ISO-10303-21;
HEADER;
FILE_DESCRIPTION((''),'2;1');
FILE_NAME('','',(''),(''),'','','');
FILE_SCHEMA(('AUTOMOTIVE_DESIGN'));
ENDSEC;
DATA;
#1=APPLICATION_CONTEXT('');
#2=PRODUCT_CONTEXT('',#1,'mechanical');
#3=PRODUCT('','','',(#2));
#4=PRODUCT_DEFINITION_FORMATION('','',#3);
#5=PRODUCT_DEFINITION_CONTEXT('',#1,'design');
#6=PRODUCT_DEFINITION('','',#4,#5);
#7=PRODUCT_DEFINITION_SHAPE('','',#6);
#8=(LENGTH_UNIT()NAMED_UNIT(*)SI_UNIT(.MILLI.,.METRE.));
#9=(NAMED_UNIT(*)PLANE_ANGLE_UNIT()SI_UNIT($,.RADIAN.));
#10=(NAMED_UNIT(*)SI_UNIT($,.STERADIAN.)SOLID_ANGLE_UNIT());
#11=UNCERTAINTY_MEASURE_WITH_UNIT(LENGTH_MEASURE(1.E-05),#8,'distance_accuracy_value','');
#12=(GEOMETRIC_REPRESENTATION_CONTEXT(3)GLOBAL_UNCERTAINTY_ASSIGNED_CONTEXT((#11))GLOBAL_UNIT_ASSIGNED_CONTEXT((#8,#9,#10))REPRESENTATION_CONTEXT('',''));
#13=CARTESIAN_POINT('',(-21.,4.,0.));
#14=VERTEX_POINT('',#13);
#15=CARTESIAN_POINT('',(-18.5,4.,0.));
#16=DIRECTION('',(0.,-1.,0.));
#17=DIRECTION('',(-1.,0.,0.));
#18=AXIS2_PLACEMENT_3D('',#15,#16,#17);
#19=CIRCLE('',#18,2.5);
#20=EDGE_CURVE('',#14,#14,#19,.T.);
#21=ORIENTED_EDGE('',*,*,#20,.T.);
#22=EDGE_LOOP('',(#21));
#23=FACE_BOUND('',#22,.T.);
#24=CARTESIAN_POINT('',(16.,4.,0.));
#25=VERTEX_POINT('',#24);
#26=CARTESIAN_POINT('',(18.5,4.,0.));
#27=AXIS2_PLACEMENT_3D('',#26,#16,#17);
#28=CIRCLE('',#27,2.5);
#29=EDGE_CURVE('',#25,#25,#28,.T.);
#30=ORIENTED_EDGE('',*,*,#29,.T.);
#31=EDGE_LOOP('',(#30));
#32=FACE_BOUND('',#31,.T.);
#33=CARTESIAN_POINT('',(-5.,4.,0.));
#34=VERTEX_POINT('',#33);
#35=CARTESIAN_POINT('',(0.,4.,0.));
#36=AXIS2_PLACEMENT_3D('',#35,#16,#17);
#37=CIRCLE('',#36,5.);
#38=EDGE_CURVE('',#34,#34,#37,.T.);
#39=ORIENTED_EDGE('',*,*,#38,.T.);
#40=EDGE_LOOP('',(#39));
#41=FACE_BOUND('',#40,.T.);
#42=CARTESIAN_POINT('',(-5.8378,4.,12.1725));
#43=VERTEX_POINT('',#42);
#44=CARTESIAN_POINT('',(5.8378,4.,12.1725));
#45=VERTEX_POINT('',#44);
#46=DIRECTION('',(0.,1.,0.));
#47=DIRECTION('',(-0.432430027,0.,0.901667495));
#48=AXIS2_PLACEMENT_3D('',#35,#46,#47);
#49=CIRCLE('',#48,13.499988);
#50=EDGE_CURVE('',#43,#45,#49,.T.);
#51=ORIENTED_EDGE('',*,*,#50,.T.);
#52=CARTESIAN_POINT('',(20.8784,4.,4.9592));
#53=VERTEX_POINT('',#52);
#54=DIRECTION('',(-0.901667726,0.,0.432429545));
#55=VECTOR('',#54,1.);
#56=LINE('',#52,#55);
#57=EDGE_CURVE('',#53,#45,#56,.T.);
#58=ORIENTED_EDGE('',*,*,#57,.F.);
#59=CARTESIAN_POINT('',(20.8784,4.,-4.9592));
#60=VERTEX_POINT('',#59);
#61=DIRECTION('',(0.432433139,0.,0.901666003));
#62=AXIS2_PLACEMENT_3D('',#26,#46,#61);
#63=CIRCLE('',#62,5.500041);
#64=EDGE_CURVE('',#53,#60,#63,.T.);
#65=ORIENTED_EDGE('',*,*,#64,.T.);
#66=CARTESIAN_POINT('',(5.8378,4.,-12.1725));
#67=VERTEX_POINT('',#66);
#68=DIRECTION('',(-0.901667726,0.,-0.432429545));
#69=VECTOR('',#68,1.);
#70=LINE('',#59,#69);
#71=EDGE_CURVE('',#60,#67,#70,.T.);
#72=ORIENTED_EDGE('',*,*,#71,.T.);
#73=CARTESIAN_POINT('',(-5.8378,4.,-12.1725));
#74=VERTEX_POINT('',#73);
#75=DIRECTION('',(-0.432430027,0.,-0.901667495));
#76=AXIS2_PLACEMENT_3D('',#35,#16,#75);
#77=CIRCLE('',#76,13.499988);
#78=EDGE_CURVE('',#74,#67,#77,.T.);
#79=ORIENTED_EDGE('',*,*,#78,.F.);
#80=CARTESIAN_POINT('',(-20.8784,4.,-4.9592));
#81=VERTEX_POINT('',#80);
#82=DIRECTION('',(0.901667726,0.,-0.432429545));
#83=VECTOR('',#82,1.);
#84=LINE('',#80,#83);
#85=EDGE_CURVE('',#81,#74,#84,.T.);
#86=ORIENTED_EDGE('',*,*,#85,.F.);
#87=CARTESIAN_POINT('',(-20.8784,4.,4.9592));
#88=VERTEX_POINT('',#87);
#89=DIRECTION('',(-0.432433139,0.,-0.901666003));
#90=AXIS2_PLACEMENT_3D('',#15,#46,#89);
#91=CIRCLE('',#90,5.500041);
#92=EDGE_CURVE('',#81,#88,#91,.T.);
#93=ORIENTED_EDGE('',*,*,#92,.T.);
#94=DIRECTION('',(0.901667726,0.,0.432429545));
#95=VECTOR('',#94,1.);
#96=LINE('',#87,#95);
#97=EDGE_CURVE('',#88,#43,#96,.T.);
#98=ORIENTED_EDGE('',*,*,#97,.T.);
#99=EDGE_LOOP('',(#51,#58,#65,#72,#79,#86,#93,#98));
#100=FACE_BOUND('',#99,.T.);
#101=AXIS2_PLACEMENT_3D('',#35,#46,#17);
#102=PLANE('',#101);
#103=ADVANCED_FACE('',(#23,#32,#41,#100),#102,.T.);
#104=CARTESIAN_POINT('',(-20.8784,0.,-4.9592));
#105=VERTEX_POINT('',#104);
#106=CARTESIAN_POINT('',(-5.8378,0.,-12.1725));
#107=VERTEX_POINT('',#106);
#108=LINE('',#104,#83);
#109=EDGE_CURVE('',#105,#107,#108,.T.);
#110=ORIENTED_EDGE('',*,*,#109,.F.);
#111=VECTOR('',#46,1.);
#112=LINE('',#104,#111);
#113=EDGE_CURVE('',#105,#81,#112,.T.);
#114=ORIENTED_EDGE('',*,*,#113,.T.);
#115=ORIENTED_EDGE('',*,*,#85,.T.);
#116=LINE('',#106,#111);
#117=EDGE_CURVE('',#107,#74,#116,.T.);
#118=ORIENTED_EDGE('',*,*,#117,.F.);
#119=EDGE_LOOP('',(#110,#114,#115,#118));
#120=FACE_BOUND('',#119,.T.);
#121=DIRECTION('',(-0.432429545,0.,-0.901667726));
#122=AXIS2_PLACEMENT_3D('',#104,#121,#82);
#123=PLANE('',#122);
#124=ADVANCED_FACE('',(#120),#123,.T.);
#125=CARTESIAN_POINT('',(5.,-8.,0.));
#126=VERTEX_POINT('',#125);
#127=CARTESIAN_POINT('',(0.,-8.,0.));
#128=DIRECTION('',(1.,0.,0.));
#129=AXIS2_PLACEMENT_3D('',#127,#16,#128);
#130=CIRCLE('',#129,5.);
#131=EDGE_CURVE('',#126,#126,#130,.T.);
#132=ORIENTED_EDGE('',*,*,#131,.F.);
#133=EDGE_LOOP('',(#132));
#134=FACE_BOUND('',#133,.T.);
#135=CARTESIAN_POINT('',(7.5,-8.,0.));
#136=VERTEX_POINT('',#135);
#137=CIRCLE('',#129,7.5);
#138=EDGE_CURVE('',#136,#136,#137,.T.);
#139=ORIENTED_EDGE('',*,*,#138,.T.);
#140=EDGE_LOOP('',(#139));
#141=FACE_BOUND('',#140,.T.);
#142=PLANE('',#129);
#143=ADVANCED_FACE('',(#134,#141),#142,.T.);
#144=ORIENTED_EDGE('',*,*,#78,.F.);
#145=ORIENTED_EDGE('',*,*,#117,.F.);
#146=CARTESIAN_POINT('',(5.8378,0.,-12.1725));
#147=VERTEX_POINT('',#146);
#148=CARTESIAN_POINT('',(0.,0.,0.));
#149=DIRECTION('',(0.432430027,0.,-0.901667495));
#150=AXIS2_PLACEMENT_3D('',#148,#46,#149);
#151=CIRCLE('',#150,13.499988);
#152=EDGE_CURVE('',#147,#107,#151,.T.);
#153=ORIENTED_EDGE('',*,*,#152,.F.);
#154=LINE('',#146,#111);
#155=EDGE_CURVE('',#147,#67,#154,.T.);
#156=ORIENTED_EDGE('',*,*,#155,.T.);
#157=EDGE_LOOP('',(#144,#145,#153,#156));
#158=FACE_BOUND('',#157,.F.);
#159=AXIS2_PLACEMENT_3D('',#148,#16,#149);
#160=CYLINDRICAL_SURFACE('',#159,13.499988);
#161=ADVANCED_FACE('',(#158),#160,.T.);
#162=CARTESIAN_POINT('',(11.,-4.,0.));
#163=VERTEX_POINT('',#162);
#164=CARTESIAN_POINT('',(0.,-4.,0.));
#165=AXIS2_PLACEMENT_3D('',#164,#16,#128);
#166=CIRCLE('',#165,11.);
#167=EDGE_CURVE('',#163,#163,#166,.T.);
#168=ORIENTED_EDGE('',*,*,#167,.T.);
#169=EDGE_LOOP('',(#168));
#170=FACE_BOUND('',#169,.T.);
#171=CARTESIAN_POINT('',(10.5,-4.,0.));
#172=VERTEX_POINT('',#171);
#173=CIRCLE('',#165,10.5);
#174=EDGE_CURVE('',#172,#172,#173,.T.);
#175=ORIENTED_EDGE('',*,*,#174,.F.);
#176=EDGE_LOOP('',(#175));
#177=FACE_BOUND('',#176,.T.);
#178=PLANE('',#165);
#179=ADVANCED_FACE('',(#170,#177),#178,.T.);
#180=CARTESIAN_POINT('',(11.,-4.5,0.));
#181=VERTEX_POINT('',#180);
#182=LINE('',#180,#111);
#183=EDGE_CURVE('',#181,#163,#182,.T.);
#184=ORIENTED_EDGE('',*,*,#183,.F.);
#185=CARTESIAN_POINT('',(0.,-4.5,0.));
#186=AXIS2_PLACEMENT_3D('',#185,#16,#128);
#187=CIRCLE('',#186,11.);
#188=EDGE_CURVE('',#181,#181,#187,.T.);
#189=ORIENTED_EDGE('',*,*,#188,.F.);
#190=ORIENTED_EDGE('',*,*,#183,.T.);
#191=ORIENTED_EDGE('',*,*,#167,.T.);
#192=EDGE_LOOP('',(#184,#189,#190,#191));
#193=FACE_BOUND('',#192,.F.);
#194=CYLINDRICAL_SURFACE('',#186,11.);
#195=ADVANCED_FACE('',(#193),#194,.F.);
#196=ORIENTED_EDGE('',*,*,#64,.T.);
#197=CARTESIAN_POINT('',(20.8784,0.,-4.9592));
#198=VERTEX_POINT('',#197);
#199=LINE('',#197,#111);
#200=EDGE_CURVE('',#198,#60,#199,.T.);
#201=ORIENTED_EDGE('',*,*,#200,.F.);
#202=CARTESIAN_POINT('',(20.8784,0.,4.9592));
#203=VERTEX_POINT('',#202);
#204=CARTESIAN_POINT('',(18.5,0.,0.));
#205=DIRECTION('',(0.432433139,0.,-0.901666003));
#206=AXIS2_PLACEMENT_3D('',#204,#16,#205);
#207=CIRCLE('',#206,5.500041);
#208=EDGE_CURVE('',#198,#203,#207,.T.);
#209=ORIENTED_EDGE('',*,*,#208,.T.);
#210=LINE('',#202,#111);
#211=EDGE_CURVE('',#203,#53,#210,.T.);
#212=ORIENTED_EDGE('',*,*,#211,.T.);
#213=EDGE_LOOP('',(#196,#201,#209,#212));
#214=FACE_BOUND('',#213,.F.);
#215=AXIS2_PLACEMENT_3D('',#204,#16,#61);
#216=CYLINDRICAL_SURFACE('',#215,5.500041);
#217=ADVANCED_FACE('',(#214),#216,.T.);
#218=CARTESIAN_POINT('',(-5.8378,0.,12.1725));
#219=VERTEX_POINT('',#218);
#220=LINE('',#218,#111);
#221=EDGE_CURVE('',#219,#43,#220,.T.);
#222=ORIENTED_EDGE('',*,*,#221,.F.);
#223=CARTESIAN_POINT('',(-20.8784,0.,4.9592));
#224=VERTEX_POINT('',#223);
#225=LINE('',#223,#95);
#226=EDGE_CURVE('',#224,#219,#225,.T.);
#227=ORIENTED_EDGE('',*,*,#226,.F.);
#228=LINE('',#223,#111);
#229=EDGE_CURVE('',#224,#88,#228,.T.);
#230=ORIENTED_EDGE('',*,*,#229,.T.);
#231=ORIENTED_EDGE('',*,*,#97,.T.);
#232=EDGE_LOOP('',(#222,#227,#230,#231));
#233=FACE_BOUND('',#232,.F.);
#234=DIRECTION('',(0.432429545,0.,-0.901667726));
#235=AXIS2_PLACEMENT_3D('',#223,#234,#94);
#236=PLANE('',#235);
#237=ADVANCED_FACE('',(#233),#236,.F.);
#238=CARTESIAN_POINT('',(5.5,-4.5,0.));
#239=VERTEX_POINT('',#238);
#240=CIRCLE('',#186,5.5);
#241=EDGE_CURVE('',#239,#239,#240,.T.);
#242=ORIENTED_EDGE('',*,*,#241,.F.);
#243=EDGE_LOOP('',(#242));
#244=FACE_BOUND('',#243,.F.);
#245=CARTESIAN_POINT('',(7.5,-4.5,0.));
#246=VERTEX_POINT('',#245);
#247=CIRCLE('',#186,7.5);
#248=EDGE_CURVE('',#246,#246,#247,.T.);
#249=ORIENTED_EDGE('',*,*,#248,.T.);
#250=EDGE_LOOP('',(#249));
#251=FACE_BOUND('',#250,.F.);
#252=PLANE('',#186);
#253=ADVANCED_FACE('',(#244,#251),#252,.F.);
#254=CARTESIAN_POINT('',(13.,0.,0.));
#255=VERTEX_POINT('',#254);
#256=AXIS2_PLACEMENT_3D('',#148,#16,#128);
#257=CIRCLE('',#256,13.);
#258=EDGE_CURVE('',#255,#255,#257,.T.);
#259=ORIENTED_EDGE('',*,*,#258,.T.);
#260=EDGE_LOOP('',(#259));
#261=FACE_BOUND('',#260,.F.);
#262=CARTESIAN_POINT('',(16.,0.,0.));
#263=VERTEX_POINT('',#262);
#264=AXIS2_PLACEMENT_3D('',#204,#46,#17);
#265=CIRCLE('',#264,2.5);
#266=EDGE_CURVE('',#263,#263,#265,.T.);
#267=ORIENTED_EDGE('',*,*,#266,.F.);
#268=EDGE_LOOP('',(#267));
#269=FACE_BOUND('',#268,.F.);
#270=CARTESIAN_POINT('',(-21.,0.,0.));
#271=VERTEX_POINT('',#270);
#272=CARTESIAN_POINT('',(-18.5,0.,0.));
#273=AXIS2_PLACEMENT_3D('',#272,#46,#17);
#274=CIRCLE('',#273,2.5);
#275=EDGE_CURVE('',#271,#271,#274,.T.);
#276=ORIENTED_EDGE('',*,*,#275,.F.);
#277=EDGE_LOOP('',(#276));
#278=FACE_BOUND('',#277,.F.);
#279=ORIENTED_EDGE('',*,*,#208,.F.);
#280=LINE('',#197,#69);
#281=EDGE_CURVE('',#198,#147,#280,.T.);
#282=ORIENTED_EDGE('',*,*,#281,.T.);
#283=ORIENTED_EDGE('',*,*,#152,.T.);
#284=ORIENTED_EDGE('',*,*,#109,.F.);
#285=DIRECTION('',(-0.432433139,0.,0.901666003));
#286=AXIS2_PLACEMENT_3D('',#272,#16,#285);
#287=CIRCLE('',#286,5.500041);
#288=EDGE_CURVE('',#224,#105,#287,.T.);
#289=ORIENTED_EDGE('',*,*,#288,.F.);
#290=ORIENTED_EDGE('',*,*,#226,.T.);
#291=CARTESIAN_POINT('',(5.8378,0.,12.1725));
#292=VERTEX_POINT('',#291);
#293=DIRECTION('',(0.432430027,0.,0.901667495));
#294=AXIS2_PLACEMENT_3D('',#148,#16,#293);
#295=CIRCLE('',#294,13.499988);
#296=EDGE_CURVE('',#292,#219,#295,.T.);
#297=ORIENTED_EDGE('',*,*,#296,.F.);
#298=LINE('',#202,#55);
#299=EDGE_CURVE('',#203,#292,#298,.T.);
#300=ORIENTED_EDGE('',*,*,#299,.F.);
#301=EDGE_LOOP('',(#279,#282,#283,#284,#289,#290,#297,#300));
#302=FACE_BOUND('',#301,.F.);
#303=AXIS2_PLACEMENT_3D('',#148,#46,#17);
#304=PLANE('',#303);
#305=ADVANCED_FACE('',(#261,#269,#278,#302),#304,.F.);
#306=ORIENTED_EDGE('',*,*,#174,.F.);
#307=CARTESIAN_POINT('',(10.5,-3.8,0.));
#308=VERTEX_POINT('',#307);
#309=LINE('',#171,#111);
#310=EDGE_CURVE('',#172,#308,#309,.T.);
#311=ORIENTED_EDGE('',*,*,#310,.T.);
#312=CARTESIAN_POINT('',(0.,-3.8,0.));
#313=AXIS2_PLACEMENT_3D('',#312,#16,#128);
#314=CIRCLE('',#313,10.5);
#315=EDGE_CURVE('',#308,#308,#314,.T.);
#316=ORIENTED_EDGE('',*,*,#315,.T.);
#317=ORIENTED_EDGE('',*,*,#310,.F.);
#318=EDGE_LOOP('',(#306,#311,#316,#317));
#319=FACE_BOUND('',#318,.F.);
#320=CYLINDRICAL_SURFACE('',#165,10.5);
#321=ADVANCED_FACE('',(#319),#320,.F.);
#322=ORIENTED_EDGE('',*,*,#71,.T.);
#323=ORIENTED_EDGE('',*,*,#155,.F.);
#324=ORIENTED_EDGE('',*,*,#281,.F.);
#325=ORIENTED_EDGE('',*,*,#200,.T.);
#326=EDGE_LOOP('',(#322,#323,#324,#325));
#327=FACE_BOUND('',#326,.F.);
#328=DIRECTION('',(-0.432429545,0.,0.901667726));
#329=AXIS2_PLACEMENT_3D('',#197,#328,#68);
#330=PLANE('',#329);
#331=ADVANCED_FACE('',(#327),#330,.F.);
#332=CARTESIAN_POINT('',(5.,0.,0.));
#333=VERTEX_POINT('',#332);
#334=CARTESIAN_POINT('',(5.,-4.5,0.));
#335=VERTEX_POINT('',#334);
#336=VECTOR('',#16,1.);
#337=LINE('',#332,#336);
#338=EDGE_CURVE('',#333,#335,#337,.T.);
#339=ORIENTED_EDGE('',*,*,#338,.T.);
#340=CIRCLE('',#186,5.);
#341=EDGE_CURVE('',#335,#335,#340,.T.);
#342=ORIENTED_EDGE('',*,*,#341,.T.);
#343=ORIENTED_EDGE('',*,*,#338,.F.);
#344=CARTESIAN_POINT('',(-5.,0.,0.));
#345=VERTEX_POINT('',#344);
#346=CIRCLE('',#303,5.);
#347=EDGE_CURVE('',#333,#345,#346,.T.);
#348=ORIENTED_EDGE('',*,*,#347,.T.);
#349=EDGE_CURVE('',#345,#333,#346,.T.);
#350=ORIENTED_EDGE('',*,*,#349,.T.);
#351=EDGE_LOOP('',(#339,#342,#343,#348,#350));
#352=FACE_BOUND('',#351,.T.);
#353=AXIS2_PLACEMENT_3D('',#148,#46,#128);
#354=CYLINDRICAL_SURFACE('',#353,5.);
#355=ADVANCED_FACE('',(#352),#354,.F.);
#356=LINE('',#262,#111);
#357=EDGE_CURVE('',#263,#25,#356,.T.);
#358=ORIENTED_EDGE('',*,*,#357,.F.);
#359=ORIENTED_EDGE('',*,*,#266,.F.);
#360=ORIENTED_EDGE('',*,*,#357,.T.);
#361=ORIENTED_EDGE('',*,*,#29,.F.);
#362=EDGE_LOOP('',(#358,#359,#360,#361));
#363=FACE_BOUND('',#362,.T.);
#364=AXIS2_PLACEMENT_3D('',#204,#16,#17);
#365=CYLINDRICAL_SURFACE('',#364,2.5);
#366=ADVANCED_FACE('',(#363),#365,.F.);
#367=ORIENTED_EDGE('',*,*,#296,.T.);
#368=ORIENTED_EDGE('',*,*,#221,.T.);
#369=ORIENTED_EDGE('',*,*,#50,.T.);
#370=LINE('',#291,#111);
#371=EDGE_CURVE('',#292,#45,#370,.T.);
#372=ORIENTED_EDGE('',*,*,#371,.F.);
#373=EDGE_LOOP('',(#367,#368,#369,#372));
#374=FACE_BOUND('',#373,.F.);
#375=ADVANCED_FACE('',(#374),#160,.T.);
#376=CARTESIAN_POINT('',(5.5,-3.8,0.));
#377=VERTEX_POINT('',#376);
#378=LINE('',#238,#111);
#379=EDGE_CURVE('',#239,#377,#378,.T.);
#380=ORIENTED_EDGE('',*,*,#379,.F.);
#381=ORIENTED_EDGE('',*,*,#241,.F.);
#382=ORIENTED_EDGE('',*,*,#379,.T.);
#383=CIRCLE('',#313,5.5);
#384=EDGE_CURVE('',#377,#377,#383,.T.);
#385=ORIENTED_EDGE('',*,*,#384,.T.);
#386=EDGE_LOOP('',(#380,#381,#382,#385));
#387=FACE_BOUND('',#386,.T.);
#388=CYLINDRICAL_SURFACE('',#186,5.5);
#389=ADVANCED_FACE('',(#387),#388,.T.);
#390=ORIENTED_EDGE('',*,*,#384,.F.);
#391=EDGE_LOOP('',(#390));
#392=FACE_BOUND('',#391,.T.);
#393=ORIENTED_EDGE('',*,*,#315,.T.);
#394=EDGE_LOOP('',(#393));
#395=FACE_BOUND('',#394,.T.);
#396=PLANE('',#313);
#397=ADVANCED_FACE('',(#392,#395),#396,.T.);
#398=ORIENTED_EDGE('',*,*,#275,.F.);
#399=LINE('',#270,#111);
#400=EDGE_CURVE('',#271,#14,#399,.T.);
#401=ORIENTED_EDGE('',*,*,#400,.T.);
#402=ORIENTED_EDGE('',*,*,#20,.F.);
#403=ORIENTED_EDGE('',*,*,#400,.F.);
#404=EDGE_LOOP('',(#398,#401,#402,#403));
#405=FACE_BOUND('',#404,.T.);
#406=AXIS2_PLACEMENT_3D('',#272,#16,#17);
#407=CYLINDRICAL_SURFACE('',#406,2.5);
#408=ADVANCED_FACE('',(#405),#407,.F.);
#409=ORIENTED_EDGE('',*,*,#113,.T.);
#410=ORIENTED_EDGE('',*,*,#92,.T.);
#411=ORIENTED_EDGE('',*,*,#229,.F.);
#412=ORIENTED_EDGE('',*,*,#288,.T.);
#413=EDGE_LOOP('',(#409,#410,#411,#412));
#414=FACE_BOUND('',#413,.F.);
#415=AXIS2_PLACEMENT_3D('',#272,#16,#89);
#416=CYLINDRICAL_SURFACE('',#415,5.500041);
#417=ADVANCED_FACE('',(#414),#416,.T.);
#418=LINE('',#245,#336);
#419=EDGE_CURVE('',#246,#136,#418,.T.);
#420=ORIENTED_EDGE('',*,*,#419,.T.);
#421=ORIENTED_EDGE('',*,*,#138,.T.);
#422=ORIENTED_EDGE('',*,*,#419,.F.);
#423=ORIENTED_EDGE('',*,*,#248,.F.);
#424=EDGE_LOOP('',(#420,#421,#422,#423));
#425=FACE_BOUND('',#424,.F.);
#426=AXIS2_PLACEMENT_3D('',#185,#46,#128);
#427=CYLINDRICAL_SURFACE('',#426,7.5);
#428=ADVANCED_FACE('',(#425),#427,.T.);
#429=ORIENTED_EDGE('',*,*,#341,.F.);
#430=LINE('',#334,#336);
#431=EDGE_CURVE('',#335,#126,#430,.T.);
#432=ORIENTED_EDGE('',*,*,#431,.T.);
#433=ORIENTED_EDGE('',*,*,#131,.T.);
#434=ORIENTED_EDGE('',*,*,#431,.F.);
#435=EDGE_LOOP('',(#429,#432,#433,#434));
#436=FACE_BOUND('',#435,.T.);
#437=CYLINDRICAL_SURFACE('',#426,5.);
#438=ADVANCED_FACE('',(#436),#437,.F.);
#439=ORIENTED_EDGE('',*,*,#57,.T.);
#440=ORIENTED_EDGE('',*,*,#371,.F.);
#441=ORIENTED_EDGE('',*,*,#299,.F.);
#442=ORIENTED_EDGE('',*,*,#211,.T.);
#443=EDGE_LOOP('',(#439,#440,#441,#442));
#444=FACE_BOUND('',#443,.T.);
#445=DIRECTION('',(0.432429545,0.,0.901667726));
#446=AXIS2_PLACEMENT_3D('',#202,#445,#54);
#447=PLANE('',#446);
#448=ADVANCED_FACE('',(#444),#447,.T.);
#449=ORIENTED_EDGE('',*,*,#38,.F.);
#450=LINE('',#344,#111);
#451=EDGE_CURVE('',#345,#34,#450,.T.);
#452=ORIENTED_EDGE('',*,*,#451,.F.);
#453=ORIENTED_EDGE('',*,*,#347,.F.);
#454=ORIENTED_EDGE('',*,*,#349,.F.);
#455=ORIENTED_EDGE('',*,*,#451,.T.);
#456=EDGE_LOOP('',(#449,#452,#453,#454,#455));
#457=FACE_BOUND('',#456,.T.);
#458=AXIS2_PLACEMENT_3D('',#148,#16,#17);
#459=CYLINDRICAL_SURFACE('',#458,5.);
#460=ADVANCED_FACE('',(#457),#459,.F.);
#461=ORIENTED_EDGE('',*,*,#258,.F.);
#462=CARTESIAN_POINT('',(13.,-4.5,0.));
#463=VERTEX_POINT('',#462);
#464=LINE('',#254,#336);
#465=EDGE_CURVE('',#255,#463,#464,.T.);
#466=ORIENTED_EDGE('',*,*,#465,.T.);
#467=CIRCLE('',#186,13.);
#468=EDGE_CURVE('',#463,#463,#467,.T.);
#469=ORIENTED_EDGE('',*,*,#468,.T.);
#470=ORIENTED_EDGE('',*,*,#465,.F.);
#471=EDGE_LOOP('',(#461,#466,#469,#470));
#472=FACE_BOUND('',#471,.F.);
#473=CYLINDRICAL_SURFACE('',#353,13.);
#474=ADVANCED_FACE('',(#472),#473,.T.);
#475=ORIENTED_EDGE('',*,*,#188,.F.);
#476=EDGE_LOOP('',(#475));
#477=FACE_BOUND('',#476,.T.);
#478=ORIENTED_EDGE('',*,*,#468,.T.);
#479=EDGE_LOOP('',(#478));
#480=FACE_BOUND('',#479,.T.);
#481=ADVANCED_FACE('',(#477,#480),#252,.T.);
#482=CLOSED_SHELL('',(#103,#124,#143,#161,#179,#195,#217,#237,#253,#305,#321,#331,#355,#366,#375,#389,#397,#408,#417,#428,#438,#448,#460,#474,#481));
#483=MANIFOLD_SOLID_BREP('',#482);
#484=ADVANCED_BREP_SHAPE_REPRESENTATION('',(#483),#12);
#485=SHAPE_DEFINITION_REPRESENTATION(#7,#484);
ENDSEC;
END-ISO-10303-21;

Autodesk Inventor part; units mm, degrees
ref_plane "YZ Plane" through (0, 0, 0) normal (1, 0, 0) x (0, 1, 0)
ref_plane "XZ Plane" through (0, 0, 0) normal (0, 1, 0) x (-1, 0, 0)
ref_plane "XY Plane" through (0, 0, 0) normal (0, 0, 1) x (1, 0, 0)
sketch "Sketch1" plane through (0, 0, 0) normal (0, 1, 0) x (-1, 0, 0)
  circle A0 centre (0, 0) radius 5
  arc A1 (-5.8378, -12.1725) -> (-5.8378, 12.1725) centre (0, 0) ccw
  circle A2 centre (18.5, 0) radius 2.5
  circle A3 centre (-18.5, 0) radius 2.5
  line L0 (0, -18.9) -> (0, 18.9) projected
  line L1 (20.8784, 4.9592) -> (5.8378, 12.1725)
  line L2 (33.6, 0) -> (-33.6, 0) projected
  line L3 (20.8784, -4.9592) -> (5.8378, -12.1725)
  line L4 (-20.8784, 4.9592) -> (-5.8378, 12.1725)
  line L5 (-20.8784, -4.9592) -> (-5.8378, -12.1725)
  arc A4 (-20.8784, 4.9592) -> (-20.8784, -4.9592) centre (-18.5, 0) ccw
  arc A5 (20.8784, -4.9592) -> (20.8784, 4.9592) centre (18.5, 0) ccw
  dimension "d0" = 10
  dimension "d1" = 27
  dimension "d2" = 5
  dimension "d3" = 5
  dimension "d4" = 37
  dimension "d5" = 18.5
extrude "Extrusion1" add sketch "Sketch1" along normal blind 4 contours L2 A1 L0 A0 | A0 L0 A1 L2 | A0 L2 A3 A4 L4 A1 L0 | L0 A1 L5 A4 L2 A3 A0 | L2 A2 A5 L3 A1 | A1 L1 A5 L2 A2
sketch "Sketch2" plane through (0, 0, 0) normal (0, -1, 0) x (1, 0, 0)
  circle A0 centre (0, 0) radius 5
  circle A1 centre (0, 0) radius 13
  dimension "d11" = 26
  dimension "d23" = 10
extrude "Extrusion2" add sketch "Sketch2" along normal blind 4.5
sketch "Sketch3" plane through (0, -4.5, 0) normal (0, -1, 0) x (1, 0, 0)
  circle A0 centre (0, 0) radius 5
  circle A1 centre (0, 0) radius 5 projected
  circle A2 centre (0, 0) radius 7.5
  dimension "d14" = 15
  dimension "d24" = 10
extrude "Extrusion3" add sketch "Sketch3" along normal blind 3.5
sketch "Sketch4" plane through (0, -4.5, 0) normal (0, -1, 0) x (1, 0, 0)
  circle A0 centre (0, 0) radius 5.5
  circle A1 centre (0, 0) radius 7.5 projected
  circle A2 centre (0, 0) radius 11
  dimension "d17" = 22
extrude "Extrusion4" cut sketch "Sketch4" against normal blind 0.5 contours A1 | A2
sketch "Sketch5" plane through (0, -4, 0) normal (0, -1, 0) x (1, 0, 0)
  circle A0 centre (0, 0) radius 5.5
  circle A1 centre (0, 0) radius 10.5
  dimension "d20" = 21
extrude "Extrusion5" cut sketch "Sketch5" against normal blind 0.2
properties part number "Kep Truc KLF-08"
